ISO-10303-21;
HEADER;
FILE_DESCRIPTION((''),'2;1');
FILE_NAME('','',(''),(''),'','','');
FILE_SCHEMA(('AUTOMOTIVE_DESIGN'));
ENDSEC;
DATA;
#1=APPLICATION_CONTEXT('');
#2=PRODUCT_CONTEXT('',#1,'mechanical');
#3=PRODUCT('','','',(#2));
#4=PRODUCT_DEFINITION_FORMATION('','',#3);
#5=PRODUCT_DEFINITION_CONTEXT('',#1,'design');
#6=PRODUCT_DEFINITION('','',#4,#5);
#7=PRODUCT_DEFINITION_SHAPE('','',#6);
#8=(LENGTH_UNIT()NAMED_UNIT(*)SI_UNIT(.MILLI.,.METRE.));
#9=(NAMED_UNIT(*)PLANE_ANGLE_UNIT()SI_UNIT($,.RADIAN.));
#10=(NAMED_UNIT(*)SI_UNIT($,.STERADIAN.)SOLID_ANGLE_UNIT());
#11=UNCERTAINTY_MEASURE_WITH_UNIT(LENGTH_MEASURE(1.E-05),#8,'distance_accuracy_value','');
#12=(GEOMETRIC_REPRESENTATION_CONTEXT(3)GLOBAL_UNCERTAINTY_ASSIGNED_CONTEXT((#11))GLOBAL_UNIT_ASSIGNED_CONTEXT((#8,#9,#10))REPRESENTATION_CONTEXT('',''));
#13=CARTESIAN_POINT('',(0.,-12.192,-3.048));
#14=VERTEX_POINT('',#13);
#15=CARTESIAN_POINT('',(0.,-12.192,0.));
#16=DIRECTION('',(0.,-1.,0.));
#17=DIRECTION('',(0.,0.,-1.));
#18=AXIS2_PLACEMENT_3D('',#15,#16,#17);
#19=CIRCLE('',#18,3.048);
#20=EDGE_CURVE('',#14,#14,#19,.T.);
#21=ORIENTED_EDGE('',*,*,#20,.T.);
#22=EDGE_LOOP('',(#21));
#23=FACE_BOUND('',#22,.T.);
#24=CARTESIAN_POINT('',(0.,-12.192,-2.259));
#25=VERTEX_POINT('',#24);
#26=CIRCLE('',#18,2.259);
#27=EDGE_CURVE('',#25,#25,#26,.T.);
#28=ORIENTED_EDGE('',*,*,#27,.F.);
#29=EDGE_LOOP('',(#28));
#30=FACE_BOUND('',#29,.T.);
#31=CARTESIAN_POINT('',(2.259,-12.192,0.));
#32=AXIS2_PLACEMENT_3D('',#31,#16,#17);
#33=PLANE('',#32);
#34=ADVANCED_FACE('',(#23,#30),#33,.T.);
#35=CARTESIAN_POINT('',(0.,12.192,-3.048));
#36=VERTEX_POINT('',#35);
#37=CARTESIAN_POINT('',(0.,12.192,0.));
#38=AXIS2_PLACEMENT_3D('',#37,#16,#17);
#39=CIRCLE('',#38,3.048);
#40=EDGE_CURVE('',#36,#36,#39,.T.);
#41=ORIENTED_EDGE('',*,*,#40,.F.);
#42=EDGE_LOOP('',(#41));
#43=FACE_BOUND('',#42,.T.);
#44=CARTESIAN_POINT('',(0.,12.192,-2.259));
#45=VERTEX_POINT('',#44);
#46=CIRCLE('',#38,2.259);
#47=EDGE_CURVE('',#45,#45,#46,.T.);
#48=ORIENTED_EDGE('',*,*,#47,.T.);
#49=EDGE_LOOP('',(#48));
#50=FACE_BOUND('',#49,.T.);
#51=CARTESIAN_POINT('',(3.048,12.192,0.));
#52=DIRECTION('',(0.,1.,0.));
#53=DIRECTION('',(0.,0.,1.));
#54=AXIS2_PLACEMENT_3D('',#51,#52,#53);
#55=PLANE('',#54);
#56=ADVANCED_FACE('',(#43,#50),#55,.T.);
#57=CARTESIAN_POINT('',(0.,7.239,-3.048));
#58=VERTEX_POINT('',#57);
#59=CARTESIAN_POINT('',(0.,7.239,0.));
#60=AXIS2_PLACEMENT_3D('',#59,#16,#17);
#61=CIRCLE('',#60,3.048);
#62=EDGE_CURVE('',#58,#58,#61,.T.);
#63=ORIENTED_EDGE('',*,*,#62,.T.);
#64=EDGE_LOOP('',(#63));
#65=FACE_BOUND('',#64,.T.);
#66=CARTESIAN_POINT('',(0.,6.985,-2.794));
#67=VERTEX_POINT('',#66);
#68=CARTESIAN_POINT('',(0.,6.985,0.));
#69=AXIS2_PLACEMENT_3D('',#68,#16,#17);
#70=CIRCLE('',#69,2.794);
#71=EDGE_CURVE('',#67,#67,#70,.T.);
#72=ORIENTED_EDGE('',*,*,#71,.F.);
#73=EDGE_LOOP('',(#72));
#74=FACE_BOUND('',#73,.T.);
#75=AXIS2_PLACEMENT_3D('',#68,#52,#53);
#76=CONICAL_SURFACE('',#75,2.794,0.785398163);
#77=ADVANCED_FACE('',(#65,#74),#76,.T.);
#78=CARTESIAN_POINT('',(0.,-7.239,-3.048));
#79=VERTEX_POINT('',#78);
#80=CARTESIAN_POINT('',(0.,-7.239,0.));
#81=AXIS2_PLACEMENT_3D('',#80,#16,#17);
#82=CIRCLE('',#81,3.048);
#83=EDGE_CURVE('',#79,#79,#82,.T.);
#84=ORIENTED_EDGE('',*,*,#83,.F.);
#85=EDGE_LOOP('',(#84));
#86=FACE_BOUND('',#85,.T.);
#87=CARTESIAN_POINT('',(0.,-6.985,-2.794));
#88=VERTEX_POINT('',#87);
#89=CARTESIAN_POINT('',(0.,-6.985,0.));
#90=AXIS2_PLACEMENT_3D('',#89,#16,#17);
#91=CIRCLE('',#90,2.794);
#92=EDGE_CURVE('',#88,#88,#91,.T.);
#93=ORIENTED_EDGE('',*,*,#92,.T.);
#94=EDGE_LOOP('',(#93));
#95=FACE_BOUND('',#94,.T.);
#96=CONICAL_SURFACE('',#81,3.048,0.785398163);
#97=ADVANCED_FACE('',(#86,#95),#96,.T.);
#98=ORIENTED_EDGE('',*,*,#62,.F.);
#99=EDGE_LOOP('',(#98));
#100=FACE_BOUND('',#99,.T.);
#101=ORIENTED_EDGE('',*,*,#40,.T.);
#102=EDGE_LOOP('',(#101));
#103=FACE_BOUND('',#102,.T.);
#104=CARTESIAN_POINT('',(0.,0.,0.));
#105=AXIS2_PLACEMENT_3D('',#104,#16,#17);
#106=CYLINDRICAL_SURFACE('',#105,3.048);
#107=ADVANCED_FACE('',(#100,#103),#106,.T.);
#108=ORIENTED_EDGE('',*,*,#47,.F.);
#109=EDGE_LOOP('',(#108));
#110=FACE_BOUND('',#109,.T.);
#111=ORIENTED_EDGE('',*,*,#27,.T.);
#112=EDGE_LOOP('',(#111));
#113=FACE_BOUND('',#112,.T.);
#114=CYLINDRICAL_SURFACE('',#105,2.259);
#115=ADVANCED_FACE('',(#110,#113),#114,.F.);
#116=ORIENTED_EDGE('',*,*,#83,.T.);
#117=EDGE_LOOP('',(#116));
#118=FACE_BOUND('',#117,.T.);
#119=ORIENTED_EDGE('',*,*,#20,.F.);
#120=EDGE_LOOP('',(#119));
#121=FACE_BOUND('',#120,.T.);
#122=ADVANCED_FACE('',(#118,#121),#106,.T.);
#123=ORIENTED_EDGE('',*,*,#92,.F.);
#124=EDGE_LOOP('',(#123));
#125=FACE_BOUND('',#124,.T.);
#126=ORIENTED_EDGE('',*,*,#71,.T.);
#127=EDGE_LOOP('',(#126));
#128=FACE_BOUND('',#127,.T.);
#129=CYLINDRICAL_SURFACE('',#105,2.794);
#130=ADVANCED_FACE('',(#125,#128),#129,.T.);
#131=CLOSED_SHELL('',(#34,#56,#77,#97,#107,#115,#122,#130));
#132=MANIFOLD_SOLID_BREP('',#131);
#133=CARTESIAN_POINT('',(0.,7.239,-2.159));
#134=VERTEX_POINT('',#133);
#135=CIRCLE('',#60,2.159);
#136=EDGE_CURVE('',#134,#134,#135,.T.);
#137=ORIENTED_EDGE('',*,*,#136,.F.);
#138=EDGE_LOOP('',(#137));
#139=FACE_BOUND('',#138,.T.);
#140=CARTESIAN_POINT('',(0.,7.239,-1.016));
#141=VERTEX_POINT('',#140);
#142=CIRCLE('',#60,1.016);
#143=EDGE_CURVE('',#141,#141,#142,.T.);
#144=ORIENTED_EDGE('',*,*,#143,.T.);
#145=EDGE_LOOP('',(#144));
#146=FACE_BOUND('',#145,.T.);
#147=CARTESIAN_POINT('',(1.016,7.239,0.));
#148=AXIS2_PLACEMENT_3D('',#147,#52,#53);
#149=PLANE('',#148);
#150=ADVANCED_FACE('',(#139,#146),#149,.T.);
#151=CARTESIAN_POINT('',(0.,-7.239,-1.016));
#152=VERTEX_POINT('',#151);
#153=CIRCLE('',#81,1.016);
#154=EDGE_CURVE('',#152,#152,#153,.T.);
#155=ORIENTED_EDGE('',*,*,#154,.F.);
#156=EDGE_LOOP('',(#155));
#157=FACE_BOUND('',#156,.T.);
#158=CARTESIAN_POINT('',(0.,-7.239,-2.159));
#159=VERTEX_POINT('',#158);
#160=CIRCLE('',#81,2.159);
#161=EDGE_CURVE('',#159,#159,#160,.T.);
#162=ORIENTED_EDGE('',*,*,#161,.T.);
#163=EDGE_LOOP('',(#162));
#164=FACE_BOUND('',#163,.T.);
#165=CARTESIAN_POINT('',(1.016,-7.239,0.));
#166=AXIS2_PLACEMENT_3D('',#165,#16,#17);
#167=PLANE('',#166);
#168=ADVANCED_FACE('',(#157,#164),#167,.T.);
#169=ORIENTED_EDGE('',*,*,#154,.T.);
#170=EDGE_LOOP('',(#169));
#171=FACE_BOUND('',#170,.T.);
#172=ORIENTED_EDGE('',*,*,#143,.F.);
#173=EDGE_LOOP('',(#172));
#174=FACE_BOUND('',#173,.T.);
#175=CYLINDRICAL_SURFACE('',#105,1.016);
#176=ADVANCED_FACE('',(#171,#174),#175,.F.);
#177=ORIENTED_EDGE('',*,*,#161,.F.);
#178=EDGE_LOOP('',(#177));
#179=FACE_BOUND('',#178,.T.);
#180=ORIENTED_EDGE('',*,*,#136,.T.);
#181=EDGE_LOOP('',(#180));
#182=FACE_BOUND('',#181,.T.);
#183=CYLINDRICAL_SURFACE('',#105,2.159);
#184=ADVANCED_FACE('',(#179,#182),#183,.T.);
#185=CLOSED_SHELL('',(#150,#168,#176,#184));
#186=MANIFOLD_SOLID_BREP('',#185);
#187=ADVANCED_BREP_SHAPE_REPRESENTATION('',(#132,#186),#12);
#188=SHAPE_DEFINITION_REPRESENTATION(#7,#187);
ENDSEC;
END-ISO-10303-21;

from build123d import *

# Parameters (mm, degrees)
SKETCH1_W = 1.143
SKETCH1_H = 14.478


with BuildPart() as part:
    # Sketch1 → Revolve1 (revolve)
    with BuildSketch(Plane.XY):
        Polygon((2.259, 12.192), (2.259, -12.192), (3.048, -12.192), (3.048, -7.239), (2.794, -6.985), (2.794, 6.985), (3.048, 7.239), (3.048, 12.192), align=None)
        with Locations((1.5875, 0)):
            Rectangle(SKETCH1_W, SKETCH1_H)
    revolve(axis=Axis((0, 0, 0), (0, 1, 0)))


solid = part.part
